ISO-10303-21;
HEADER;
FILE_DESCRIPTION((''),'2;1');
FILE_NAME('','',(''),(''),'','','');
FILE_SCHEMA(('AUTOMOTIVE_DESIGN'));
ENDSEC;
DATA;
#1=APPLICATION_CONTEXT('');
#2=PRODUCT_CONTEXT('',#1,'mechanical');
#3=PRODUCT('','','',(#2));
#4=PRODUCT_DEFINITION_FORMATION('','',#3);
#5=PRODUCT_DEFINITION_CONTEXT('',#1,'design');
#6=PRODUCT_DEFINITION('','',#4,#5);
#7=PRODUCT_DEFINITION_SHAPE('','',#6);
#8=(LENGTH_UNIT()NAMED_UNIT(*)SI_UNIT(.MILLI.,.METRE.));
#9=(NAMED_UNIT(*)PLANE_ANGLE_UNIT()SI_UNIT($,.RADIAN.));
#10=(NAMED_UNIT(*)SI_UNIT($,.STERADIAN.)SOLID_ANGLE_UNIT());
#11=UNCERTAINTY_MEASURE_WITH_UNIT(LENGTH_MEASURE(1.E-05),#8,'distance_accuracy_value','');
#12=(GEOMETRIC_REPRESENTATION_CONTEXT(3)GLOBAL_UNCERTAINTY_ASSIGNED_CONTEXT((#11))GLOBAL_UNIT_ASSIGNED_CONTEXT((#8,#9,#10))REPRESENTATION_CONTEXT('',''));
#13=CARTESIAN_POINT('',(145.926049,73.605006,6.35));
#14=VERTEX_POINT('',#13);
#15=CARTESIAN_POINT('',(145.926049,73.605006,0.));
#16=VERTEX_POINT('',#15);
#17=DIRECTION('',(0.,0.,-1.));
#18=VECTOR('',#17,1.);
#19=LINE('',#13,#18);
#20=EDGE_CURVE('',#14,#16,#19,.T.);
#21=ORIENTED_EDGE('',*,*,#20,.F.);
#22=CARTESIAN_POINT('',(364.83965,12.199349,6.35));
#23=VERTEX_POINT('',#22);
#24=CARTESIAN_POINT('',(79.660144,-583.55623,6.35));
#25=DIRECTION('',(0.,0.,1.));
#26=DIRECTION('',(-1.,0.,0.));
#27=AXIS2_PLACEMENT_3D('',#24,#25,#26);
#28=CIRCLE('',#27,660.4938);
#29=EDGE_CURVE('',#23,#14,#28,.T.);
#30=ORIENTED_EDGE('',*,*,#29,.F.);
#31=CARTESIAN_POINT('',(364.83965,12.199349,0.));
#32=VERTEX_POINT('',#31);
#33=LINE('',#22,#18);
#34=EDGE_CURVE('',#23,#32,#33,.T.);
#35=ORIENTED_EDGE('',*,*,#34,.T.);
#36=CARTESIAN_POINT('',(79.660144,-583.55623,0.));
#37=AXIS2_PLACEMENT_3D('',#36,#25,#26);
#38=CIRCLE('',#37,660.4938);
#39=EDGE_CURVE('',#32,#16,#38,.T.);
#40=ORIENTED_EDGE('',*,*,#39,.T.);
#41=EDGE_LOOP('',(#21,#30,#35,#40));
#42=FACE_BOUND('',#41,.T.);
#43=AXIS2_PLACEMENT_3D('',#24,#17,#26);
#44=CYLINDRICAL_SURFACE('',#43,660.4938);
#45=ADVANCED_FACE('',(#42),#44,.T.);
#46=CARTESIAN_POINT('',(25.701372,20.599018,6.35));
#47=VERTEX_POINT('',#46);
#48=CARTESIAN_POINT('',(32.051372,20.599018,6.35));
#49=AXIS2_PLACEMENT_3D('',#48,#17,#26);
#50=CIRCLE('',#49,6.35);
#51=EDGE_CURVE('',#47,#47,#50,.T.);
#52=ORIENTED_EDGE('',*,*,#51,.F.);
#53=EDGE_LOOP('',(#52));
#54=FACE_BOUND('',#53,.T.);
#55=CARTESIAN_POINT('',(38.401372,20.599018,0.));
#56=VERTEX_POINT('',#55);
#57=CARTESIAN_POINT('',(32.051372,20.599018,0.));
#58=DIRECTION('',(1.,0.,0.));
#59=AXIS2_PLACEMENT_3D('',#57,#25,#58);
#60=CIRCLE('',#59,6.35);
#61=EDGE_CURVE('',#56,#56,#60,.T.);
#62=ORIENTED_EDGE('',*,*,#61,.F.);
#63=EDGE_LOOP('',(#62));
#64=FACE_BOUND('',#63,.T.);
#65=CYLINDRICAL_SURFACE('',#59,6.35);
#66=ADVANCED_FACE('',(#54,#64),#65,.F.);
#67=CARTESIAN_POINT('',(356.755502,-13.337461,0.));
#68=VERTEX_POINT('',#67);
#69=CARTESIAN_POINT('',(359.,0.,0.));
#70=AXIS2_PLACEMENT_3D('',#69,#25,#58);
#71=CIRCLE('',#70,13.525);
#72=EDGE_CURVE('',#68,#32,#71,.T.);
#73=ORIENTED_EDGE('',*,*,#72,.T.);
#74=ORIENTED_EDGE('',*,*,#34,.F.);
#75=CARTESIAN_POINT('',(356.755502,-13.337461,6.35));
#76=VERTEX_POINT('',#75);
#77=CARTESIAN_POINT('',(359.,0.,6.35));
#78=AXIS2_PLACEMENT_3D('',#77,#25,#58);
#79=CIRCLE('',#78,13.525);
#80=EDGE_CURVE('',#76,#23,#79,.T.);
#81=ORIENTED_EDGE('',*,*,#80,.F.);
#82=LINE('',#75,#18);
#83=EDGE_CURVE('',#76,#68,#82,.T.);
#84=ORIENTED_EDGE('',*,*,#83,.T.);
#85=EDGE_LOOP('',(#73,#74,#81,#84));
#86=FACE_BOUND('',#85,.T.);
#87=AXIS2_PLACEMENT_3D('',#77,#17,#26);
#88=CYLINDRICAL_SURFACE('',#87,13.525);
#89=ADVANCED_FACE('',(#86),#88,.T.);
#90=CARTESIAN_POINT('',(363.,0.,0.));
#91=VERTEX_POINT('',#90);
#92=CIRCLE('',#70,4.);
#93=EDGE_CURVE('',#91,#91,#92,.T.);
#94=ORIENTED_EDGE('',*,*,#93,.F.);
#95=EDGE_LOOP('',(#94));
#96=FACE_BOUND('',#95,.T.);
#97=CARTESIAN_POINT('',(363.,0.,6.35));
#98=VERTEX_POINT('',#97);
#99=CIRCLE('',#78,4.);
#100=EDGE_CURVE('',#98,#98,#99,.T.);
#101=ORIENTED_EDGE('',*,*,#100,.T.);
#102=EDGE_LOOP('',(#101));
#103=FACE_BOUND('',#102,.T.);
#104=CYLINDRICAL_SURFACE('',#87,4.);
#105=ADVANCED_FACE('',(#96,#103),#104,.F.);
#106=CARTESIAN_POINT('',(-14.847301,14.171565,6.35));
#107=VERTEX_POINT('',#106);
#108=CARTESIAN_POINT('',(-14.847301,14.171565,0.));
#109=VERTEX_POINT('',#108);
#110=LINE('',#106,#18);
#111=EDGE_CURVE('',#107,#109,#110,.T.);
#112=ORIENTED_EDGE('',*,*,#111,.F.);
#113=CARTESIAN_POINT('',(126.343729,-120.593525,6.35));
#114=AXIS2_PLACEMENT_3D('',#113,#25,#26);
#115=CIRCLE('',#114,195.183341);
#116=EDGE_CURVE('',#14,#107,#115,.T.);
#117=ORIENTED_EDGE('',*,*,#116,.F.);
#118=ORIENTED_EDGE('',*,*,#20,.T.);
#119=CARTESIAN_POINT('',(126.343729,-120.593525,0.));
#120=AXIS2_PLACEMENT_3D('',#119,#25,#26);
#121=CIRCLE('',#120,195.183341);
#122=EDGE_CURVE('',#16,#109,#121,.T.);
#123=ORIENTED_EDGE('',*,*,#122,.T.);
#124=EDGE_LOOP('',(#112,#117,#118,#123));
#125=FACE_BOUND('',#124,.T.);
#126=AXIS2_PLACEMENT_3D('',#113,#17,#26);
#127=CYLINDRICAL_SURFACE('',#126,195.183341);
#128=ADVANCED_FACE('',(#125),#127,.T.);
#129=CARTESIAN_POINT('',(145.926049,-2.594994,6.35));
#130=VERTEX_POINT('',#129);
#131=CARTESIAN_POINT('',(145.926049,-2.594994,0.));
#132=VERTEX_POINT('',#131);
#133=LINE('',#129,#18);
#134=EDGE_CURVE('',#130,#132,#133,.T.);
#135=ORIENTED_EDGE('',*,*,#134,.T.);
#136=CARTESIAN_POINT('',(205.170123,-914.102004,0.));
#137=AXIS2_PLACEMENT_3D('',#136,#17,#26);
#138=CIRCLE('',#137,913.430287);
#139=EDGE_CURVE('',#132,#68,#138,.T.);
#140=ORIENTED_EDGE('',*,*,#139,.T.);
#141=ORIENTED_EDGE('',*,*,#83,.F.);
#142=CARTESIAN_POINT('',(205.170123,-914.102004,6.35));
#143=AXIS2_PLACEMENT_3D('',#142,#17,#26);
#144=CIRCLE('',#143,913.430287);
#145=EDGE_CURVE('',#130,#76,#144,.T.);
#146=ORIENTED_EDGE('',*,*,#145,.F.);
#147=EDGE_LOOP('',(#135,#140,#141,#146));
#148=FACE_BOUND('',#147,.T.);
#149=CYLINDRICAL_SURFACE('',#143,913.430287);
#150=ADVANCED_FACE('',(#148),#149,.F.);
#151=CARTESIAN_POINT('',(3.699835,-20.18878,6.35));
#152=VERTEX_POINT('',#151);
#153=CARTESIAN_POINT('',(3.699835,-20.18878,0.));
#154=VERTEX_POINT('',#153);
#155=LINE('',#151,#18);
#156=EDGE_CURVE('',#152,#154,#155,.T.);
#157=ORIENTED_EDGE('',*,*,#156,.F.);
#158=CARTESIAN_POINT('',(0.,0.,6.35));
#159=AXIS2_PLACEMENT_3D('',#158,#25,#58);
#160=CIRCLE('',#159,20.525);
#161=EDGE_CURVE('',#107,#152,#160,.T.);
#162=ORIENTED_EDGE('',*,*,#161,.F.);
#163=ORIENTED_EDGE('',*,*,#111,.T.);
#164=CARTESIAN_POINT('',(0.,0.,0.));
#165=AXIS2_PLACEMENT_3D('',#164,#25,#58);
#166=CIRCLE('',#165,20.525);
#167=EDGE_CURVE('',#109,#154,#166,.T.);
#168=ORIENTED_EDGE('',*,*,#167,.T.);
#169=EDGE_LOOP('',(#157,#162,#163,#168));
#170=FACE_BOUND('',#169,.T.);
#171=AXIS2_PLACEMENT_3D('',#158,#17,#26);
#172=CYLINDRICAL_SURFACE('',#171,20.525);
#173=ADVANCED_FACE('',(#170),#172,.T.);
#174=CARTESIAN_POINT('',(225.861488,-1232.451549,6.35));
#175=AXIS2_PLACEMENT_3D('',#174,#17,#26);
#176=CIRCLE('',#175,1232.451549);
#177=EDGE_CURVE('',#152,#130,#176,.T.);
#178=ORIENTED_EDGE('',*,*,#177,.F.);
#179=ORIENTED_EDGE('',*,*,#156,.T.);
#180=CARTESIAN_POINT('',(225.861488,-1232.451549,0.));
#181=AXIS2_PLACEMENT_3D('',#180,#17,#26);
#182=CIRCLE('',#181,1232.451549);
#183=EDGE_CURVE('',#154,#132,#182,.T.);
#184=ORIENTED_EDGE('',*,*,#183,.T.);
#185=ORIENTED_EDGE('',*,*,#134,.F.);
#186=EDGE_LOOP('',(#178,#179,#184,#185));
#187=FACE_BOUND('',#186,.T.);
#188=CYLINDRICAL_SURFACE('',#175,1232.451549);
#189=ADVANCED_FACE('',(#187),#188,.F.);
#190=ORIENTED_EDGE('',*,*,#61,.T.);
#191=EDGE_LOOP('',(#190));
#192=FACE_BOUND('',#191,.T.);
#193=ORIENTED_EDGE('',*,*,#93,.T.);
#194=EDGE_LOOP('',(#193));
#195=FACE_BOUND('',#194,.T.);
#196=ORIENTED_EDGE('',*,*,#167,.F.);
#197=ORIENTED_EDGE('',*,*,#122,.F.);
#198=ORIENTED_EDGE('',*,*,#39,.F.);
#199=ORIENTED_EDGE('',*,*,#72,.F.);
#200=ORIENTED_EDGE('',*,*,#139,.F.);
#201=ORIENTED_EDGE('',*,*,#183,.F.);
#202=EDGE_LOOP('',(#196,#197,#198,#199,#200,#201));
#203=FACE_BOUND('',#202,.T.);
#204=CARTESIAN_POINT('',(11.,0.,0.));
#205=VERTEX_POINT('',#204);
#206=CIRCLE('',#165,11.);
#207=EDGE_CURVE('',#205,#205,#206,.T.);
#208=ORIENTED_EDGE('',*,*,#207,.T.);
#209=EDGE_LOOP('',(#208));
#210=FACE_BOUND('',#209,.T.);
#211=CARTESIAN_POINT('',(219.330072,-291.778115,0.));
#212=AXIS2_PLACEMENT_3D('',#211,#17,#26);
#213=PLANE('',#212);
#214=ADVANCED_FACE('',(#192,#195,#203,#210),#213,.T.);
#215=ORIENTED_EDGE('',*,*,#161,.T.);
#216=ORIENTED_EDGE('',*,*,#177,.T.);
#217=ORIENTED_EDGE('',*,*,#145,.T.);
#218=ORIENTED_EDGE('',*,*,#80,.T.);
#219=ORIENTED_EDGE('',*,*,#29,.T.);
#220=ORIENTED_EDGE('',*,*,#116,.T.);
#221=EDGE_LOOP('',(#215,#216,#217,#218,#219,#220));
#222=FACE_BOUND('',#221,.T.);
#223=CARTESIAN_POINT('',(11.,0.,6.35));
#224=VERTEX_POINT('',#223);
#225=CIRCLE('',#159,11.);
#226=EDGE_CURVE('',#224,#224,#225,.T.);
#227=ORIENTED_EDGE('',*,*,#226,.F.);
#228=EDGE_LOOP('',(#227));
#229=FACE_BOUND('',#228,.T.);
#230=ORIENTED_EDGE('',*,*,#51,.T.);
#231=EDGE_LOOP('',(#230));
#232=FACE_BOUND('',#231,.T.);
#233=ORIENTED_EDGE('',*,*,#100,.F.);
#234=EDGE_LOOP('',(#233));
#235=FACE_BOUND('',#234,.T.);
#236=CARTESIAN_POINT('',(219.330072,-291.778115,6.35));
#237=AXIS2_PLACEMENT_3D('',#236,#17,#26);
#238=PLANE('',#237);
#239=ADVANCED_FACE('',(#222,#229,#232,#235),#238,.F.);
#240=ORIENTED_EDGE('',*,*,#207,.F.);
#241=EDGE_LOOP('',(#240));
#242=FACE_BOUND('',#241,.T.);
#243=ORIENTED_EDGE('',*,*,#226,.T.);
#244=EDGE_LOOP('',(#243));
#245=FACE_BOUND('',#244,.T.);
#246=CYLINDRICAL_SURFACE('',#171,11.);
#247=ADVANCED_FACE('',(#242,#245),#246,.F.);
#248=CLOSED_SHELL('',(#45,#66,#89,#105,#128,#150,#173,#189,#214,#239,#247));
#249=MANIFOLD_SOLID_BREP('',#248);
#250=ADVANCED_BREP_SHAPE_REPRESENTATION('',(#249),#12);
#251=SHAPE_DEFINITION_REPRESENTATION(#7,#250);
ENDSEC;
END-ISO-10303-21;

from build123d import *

# Parameters (mm, degrees)
SKETCH1_R               = 11
SKETCH1_R_2             = 4
BOSS_EXTRUDE1_DEPTH     = 6.35
CUT_EXTRUDE1_DEPTH      = 380.972155331
CUT_EXTRUDE1_DEPTH_BACK = 380.972155331
SKETCH2_R               = 6.35


with BuildPart() as part:
    # Sketch1 → Boss-Extrude1 (new body)
    with BuildSketch(Plane.XY):
        with BuildLine():
            ThreePointArc((-14.847301451, 14.171565356), (-18.06169524, -9.749399473), (3.699835438, -20.18878012))
            ThreePointArc((3.699835438, -20.18878012), (74.556998508, -9.322867247), (145.926048807, -2.594993863))
            ThreePointArc((145.926048807, -2.594993863), (251.652155026, -1.855156614), (356.755502219, -13.337460579))
            ThreePointArc((356.755502219, -13.337460579), (371.894318042, -4.08193425), (364.839650306, 12.199348725))
            ThreePointArc((364.839650306, 12.199348725), (258.044932978, 52.392610297), (145.926048807, 73.605006137))
            ThreePointArc((145.926048807, 73.605006137), (58.666161858, 62.481005213), (-14.847301451, 14.171565356))
        make_face()
        Circle(SKETCH1_R, mode=Mode.SUBTRACT)
        with Locations((359, 0)):
            Circle(SKETCH1_R_2, mode=Mode.SUBTRACT)
    extrude(amount=BOSS_EXTRUDE1_DEPTH)

    # Sketch2 → Cut-Extrude1 (cut, two sides: drawn at the far end of the back side and taken through both)
    with BuildSketch(Plane.XY.offset(6.35).offset(-CUT_EXTRUDE1_DEPTH_BACK)):
        with Locations((32.051371855, 20.599018477)):
            Circle(SKETCH2_R)
    extrude(amount=CUT_EXTRUDE1_DEPTH + CUT_EXTRUDE1_DEPTH_BACK, mode=Mode.SUBTRACT)


solid = part.part
